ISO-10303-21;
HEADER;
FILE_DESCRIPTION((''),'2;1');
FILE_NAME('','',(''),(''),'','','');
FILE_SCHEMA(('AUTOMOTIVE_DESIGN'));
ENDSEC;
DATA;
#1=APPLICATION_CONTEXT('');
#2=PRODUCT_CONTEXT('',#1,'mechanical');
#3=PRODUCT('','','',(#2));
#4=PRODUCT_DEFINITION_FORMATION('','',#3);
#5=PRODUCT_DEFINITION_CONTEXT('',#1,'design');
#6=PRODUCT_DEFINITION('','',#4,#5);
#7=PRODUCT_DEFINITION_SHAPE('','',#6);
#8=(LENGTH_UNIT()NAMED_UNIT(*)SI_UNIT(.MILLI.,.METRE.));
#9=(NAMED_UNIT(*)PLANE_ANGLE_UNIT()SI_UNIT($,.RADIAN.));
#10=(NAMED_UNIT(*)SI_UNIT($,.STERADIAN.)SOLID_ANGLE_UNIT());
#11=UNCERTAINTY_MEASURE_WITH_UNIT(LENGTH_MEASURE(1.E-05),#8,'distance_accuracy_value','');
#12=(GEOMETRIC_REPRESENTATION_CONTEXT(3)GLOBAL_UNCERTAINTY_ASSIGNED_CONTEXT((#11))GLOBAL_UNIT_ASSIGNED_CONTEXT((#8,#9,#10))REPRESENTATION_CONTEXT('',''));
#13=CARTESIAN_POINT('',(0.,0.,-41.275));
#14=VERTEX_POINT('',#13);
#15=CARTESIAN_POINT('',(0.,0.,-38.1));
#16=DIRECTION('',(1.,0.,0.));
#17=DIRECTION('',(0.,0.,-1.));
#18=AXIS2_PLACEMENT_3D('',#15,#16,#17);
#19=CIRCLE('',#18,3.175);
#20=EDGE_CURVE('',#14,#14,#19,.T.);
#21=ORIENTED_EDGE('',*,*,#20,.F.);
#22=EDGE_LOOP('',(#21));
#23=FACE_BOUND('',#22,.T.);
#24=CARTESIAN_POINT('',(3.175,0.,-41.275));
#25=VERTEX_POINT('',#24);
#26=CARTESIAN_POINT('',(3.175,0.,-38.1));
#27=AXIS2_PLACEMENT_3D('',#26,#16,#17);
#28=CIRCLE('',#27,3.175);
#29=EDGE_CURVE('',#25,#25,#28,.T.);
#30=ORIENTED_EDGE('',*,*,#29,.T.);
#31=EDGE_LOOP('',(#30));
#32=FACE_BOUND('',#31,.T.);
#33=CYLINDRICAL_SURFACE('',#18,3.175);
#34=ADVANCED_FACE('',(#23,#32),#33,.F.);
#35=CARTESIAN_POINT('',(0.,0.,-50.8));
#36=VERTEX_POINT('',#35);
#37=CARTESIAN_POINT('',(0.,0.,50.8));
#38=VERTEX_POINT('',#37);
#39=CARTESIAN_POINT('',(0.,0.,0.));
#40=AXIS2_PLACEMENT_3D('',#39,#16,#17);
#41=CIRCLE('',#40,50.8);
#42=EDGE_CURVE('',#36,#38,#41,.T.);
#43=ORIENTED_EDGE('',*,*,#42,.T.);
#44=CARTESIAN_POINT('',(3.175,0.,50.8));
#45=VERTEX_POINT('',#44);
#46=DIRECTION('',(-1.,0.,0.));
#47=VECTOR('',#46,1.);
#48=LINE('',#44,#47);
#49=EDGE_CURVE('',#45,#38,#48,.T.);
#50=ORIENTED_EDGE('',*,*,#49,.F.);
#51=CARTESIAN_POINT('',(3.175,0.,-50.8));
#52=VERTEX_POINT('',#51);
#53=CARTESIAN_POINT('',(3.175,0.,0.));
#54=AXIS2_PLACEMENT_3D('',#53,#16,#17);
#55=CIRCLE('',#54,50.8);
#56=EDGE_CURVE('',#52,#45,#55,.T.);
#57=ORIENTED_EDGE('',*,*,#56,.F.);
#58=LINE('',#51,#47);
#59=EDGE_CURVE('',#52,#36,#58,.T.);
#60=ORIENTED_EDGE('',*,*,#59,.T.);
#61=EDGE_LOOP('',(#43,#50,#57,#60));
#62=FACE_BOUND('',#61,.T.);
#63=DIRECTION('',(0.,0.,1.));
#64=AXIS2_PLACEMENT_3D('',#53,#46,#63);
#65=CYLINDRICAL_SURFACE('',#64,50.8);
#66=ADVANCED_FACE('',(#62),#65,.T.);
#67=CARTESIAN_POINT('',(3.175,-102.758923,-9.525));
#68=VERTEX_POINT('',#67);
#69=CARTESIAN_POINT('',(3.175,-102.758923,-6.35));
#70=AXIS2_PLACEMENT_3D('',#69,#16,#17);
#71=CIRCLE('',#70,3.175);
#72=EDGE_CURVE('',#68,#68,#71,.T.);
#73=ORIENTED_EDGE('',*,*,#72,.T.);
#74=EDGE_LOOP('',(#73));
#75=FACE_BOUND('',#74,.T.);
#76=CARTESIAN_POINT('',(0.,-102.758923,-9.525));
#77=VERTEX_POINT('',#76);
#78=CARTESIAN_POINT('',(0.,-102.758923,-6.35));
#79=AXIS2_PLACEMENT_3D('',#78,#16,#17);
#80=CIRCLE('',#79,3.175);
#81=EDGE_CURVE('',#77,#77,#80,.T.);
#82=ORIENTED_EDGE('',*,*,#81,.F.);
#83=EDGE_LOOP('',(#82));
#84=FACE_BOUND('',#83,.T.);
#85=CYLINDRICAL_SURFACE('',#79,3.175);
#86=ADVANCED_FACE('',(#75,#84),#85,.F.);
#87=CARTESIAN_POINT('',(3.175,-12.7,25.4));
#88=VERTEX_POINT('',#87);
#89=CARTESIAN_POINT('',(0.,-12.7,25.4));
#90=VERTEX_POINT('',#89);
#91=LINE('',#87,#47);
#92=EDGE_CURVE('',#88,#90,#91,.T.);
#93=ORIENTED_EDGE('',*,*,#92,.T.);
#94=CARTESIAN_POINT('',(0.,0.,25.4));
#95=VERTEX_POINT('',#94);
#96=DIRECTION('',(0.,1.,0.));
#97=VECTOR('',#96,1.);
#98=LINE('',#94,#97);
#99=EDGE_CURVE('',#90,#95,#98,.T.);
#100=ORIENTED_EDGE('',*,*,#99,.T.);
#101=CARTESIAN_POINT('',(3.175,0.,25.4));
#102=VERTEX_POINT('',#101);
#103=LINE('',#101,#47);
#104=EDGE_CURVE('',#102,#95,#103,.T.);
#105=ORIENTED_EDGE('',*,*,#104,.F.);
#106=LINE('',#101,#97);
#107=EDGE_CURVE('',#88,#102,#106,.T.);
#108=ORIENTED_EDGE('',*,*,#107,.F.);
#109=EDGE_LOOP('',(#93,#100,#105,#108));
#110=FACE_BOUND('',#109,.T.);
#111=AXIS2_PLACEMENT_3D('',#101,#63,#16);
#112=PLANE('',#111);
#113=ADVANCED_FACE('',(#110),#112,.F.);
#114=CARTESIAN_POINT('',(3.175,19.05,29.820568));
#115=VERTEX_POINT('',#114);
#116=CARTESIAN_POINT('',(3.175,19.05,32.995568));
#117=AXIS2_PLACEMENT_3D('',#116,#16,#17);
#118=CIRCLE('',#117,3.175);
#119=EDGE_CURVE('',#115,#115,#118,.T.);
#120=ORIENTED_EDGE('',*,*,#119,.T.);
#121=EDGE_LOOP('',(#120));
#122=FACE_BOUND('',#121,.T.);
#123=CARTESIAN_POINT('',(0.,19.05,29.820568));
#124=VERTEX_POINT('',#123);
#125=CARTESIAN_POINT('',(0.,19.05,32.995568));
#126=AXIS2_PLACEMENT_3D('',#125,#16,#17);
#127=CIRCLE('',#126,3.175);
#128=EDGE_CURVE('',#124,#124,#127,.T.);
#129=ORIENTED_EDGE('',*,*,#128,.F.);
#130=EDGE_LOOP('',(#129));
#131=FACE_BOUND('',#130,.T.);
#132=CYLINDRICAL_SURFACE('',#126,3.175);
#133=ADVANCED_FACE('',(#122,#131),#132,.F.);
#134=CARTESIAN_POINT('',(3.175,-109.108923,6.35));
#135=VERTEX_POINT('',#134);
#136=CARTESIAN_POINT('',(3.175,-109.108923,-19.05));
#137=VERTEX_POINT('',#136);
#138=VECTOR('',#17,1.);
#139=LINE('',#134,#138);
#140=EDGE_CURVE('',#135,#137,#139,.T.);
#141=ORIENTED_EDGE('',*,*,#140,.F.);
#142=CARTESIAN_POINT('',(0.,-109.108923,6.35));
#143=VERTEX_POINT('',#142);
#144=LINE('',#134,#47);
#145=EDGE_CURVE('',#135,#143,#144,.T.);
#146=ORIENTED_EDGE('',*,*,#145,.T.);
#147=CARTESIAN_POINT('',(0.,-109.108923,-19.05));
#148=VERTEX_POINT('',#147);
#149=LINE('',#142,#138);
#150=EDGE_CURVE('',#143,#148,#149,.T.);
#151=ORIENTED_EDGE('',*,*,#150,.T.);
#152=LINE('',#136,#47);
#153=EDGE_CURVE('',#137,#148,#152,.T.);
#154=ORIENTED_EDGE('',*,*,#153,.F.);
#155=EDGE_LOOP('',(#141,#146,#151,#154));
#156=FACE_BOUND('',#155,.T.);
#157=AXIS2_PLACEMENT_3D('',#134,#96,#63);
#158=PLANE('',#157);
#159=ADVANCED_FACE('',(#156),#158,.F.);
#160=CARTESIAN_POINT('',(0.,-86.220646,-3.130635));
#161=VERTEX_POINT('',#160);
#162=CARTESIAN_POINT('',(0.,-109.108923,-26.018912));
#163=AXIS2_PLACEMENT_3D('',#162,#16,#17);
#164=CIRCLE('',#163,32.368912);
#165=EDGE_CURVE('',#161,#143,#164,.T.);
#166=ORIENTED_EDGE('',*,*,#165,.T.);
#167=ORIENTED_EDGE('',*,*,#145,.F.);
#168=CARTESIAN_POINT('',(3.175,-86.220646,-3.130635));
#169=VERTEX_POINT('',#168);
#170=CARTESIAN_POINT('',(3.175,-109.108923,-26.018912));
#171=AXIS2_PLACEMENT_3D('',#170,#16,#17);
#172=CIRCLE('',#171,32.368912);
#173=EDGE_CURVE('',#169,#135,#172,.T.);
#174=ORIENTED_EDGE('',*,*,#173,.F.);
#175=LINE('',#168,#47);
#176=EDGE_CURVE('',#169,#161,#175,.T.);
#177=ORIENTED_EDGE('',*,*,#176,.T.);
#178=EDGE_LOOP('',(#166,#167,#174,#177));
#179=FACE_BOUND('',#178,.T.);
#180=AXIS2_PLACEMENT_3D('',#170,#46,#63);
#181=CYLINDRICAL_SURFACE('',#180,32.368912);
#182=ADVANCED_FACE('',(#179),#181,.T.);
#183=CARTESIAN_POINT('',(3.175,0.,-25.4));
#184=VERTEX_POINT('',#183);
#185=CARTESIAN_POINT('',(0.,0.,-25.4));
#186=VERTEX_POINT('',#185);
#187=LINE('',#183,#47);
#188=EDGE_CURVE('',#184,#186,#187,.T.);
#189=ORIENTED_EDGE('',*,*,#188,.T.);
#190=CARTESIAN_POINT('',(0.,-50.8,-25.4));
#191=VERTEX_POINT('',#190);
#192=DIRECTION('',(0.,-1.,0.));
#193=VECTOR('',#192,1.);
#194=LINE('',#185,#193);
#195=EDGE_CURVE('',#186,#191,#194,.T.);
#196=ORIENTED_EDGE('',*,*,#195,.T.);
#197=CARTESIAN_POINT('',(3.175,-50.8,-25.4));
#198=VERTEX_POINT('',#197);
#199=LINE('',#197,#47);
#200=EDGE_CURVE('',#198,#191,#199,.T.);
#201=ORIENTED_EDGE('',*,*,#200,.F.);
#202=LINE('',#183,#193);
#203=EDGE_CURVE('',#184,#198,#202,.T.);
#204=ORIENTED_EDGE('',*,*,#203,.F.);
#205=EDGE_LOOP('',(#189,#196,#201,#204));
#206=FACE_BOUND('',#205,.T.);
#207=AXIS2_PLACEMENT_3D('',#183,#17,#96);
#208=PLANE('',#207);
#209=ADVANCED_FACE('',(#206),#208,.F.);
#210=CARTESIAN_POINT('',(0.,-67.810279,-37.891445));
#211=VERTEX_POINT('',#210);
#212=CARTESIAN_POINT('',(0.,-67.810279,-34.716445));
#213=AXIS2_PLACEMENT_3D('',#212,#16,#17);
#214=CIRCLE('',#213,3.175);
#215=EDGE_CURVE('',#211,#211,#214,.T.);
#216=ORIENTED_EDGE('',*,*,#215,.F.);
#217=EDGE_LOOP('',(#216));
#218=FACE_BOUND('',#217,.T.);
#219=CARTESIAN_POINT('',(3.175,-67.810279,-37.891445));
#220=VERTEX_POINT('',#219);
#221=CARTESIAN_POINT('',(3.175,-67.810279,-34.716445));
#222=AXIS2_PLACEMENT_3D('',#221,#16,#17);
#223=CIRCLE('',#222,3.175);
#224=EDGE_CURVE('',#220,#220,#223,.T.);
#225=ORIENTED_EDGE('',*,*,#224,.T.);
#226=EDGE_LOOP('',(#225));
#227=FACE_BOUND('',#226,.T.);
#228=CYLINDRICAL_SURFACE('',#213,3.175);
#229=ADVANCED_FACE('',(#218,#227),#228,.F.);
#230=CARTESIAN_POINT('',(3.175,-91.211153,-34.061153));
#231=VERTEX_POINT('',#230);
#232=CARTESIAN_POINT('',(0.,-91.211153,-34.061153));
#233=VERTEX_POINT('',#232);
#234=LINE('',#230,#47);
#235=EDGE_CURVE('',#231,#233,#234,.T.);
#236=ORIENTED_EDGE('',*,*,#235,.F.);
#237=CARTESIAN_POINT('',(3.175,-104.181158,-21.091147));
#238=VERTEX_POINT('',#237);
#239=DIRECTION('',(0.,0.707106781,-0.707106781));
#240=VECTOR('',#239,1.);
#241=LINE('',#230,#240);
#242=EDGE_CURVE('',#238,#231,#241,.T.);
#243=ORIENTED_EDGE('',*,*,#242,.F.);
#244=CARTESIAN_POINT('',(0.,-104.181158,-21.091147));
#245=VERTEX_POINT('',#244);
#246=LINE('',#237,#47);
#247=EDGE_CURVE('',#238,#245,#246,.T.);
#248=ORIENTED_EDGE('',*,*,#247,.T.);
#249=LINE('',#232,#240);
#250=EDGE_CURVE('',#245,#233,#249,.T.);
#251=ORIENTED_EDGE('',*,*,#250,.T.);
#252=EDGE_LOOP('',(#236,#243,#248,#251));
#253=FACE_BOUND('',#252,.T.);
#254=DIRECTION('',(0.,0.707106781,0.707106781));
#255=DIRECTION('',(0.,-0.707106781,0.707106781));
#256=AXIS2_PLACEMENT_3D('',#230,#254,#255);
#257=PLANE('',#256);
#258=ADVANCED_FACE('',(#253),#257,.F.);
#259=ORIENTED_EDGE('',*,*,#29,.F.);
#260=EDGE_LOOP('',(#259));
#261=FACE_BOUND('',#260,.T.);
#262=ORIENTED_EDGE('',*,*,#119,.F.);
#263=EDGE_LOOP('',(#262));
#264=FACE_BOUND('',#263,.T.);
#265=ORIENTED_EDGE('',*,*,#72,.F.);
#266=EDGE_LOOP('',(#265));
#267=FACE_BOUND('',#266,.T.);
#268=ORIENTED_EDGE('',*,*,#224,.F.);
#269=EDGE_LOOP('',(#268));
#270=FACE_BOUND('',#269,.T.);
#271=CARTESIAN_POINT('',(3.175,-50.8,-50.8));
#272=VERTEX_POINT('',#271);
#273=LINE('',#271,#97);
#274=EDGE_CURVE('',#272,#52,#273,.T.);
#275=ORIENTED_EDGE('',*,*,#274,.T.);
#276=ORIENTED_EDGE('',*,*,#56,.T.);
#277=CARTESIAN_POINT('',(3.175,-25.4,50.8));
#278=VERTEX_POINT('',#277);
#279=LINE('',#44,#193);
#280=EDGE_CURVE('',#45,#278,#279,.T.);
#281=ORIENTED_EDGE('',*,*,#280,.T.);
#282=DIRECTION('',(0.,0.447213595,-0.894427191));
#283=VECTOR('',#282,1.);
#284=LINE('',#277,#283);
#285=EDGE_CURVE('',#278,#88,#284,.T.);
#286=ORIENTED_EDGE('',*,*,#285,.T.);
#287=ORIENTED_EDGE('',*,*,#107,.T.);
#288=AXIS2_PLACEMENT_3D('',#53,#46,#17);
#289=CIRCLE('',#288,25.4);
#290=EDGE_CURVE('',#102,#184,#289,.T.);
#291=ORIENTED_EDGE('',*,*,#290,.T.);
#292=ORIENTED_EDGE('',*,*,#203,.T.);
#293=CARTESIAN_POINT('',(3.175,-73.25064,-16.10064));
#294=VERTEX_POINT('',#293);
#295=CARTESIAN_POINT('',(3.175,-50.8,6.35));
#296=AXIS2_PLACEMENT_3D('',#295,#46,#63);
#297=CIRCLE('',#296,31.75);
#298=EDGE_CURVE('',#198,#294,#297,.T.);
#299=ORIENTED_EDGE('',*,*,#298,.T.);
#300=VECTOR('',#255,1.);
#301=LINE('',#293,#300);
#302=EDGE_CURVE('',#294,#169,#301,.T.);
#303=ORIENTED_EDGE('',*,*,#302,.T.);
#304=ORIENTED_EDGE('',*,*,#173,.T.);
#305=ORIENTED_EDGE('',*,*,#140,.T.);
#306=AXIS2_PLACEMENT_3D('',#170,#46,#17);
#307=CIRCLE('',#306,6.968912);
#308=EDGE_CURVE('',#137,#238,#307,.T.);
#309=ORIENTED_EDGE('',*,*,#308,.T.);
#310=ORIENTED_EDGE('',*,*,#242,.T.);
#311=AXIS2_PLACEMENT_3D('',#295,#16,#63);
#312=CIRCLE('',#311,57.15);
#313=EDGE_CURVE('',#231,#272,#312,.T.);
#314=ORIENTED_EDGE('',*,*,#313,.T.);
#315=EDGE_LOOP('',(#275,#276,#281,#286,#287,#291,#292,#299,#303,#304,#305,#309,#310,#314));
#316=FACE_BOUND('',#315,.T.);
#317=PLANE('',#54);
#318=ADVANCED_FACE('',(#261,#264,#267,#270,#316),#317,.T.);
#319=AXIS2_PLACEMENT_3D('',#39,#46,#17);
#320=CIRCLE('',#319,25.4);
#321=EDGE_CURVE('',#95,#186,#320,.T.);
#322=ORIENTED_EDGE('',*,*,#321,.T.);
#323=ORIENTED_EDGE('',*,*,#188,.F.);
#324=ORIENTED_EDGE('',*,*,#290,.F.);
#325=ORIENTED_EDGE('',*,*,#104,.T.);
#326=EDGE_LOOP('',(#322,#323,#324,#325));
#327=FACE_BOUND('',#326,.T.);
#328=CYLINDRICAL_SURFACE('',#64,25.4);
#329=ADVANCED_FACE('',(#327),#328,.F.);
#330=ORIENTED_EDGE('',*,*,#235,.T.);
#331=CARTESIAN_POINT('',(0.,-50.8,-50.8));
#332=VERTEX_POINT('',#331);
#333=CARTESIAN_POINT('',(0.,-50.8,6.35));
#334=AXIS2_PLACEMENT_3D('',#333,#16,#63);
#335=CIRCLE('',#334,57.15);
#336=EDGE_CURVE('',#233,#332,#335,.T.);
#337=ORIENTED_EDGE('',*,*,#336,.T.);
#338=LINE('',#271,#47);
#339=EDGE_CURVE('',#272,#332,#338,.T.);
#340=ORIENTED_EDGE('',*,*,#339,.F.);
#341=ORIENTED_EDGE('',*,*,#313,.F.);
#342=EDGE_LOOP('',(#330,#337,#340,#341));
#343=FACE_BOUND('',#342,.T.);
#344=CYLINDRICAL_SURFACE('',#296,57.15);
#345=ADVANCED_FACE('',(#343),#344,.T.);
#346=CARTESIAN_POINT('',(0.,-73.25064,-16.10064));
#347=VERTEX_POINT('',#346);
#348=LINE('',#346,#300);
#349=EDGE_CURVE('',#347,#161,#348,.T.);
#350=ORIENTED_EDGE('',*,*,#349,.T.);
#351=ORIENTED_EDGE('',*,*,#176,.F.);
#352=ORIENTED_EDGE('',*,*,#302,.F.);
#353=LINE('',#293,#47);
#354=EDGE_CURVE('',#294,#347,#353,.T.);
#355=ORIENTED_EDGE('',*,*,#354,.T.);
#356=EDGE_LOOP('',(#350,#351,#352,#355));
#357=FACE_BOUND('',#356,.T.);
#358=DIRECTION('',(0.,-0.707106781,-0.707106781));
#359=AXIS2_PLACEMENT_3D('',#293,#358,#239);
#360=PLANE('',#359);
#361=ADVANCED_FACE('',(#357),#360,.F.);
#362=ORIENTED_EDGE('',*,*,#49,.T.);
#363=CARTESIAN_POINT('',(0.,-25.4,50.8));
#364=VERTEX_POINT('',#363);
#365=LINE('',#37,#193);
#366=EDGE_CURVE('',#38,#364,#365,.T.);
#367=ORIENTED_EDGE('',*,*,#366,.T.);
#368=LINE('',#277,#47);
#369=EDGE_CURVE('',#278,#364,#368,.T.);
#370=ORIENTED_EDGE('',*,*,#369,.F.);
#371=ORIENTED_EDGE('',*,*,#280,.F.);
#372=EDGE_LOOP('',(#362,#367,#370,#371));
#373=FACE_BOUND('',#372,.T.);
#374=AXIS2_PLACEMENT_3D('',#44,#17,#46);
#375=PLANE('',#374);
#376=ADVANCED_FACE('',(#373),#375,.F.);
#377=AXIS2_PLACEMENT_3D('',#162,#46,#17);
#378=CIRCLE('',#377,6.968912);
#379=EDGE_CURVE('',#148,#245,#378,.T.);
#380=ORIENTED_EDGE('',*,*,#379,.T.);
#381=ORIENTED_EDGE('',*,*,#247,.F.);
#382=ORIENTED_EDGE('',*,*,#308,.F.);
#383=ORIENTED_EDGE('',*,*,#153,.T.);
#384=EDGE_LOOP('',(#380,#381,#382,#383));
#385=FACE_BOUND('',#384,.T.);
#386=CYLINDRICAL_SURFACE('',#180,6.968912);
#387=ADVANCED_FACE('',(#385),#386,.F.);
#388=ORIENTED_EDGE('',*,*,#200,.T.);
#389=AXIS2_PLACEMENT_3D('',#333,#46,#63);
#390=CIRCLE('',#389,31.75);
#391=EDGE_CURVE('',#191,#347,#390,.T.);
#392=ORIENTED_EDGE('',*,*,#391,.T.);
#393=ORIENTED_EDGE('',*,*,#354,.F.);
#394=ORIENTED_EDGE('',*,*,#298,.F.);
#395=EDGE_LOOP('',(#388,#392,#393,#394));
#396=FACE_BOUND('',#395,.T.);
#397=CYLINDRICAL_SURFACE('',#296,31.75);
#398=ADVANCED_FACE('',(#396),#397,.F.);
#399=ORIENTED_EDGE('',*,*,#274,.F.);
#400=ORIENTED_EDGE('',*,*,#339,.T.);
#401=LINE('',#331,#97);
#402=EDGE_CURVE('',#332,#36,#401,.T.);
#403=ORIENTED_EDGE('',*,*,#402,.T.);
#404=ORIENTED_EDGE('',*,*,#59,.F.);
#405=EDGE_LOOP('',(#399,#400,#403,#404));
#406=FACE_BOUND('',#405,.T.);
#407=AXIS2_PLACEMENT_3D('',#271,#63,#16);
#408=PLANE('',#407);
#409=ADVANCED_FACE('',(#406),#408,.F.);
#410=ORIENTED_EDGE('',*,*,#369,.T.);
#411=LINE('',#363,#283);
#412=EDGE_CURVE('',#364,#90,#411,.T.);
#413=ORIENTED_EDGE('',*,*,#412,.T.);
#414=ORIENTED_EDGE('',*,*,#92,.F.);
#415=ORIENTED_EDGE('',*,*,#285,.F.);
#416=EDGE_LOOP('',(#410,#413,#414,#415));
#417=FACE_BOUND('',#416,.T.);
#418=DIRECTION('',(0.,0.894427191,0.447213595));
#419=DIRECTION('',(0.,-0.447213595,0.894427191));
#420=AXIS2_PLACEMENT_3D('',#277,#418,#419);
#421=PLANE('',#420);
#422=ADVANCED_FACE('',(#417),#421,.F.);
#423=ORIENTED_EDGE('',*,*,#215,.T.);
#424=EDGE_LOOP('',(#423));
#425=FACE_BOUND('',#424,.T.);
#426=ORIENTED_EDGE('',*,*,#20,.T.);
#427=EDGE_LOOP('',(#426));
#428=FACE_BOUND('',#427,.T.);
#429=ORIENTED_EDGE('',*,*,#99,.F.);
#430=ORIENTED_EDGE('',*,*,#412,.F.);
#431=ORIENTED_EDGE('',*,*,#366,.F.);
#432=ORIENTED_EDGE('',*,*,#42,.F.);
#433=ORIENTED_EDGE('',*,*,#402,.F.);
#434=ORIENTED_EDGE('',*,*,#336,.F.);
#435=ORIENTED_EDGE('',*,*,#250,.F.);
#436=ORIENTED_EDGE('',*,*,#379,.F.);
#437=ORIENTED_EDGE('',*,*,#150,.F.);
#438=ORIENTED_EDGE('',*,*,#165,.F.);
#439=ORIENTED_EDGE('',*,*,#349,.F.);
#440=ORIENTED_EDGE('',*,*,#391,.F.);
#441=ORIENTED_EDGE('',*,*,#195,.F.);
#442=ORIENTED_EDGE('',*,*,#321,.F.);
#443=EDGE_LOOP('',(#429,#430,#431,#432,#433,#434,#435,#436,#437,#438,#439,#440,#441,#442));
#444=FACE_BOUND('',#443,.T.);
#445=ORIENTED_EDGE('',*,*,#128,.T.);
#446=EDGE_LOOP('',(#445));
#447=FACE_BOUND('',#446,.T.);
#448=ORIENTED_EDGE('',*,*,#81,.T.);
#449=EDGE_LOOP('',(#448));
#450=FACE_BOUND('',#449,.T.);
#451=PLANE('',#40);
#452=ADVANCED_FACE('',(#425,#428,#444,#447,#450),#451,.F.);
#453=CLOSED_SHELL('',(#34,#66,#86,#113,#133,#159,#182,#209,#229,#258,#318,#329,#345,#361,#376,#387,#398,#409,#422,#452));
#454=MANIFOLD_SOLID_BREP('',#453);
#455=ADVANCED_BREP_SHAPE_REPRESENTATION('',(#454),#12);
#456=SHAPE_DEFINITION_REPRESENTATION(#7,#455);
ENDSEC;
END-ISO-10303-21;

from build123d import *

# Parameters (mm, degrees)
BOSS_EXTRUDE1_DEPTH = 3.175
SKETCH2_R           = 3.175
CUT_EXTRUDE1_DEPTH  = 4.175


with BuildPart() as part:
    # Sketch1 → Boss-Extrude1 (new body)
    with BuildSketch(Plane(origin=(0, 0, 0), x_dir=(0, 0, -1), z_dir=(1, 0, 0))):
        with BuildLine():
            Line((-50.8, 0), (-50.8, -25.4))
            Line((-50.8, -25.4), (-25.4, -12.7))
            Line((-25.4, -12.7), (-25.4, 0))
            ThreePointArc((-25.4, 0), (0, 25.4), (25.4, 0))
            Line((25.4, 0), (25.4, -50.8))
            ThreePointArc((25.4, -50.8), (22.983175157, -62.950198978), (16.100640303, -73.250640303))
            Line((16.100640303, -73.250640303), (3.130634922, -86.220645683))
            ThreePointArc((3.130634922, -86.220645683), (-3.886063261, -96.721876619), (-6.35, -109.108923092))
            Line((-6.35, -109.108923092), (19.05, -109.108923092))
            ThreePointArc((19.05, -109.108923092), (19.580476865, -106.442035801), (21.091147164, -104.181157925))
            Line((21.091147164, -104.181157925), (34.061152545, -91.211152545))
            ThreePointArc((34.061152545, -91.211152545), (46.449715283, -72.67035816), (50.8, -50.8))
            Line((50.8, -50.8), (50.8, 0))
            ThreePointArc((50.8, 0), (0, 50.8), (-50.8, 0))
        make_face()
    extrude(amount=BOSS_EXTRUDE1_DEPTH)

    # Sketch2 → Cut-Extrude1 (cut, through all)
    with BuildSketch(Plane(origin=(3.175, 0, 0), x_dir=(0, 0, -1), z_dir=(1, 0, 0))):
        with Locations((38.1, 0)):
            Circle(SKETCH2_R)
        with Locations((-32.995567884, 19.05)):
            Circle(SKETCH2_R)
        with Locations((34.71644522, -67.810278569)):
            Circle(SKETCH2_R)
        with Locations((6.35, -102.758923092)):
            Circle(SKETCH2_R)
    extrude(amount=-CUT_EXTRUDE1_DEPTH, mode=Mode.SUBTRACT)


solid = part.part
